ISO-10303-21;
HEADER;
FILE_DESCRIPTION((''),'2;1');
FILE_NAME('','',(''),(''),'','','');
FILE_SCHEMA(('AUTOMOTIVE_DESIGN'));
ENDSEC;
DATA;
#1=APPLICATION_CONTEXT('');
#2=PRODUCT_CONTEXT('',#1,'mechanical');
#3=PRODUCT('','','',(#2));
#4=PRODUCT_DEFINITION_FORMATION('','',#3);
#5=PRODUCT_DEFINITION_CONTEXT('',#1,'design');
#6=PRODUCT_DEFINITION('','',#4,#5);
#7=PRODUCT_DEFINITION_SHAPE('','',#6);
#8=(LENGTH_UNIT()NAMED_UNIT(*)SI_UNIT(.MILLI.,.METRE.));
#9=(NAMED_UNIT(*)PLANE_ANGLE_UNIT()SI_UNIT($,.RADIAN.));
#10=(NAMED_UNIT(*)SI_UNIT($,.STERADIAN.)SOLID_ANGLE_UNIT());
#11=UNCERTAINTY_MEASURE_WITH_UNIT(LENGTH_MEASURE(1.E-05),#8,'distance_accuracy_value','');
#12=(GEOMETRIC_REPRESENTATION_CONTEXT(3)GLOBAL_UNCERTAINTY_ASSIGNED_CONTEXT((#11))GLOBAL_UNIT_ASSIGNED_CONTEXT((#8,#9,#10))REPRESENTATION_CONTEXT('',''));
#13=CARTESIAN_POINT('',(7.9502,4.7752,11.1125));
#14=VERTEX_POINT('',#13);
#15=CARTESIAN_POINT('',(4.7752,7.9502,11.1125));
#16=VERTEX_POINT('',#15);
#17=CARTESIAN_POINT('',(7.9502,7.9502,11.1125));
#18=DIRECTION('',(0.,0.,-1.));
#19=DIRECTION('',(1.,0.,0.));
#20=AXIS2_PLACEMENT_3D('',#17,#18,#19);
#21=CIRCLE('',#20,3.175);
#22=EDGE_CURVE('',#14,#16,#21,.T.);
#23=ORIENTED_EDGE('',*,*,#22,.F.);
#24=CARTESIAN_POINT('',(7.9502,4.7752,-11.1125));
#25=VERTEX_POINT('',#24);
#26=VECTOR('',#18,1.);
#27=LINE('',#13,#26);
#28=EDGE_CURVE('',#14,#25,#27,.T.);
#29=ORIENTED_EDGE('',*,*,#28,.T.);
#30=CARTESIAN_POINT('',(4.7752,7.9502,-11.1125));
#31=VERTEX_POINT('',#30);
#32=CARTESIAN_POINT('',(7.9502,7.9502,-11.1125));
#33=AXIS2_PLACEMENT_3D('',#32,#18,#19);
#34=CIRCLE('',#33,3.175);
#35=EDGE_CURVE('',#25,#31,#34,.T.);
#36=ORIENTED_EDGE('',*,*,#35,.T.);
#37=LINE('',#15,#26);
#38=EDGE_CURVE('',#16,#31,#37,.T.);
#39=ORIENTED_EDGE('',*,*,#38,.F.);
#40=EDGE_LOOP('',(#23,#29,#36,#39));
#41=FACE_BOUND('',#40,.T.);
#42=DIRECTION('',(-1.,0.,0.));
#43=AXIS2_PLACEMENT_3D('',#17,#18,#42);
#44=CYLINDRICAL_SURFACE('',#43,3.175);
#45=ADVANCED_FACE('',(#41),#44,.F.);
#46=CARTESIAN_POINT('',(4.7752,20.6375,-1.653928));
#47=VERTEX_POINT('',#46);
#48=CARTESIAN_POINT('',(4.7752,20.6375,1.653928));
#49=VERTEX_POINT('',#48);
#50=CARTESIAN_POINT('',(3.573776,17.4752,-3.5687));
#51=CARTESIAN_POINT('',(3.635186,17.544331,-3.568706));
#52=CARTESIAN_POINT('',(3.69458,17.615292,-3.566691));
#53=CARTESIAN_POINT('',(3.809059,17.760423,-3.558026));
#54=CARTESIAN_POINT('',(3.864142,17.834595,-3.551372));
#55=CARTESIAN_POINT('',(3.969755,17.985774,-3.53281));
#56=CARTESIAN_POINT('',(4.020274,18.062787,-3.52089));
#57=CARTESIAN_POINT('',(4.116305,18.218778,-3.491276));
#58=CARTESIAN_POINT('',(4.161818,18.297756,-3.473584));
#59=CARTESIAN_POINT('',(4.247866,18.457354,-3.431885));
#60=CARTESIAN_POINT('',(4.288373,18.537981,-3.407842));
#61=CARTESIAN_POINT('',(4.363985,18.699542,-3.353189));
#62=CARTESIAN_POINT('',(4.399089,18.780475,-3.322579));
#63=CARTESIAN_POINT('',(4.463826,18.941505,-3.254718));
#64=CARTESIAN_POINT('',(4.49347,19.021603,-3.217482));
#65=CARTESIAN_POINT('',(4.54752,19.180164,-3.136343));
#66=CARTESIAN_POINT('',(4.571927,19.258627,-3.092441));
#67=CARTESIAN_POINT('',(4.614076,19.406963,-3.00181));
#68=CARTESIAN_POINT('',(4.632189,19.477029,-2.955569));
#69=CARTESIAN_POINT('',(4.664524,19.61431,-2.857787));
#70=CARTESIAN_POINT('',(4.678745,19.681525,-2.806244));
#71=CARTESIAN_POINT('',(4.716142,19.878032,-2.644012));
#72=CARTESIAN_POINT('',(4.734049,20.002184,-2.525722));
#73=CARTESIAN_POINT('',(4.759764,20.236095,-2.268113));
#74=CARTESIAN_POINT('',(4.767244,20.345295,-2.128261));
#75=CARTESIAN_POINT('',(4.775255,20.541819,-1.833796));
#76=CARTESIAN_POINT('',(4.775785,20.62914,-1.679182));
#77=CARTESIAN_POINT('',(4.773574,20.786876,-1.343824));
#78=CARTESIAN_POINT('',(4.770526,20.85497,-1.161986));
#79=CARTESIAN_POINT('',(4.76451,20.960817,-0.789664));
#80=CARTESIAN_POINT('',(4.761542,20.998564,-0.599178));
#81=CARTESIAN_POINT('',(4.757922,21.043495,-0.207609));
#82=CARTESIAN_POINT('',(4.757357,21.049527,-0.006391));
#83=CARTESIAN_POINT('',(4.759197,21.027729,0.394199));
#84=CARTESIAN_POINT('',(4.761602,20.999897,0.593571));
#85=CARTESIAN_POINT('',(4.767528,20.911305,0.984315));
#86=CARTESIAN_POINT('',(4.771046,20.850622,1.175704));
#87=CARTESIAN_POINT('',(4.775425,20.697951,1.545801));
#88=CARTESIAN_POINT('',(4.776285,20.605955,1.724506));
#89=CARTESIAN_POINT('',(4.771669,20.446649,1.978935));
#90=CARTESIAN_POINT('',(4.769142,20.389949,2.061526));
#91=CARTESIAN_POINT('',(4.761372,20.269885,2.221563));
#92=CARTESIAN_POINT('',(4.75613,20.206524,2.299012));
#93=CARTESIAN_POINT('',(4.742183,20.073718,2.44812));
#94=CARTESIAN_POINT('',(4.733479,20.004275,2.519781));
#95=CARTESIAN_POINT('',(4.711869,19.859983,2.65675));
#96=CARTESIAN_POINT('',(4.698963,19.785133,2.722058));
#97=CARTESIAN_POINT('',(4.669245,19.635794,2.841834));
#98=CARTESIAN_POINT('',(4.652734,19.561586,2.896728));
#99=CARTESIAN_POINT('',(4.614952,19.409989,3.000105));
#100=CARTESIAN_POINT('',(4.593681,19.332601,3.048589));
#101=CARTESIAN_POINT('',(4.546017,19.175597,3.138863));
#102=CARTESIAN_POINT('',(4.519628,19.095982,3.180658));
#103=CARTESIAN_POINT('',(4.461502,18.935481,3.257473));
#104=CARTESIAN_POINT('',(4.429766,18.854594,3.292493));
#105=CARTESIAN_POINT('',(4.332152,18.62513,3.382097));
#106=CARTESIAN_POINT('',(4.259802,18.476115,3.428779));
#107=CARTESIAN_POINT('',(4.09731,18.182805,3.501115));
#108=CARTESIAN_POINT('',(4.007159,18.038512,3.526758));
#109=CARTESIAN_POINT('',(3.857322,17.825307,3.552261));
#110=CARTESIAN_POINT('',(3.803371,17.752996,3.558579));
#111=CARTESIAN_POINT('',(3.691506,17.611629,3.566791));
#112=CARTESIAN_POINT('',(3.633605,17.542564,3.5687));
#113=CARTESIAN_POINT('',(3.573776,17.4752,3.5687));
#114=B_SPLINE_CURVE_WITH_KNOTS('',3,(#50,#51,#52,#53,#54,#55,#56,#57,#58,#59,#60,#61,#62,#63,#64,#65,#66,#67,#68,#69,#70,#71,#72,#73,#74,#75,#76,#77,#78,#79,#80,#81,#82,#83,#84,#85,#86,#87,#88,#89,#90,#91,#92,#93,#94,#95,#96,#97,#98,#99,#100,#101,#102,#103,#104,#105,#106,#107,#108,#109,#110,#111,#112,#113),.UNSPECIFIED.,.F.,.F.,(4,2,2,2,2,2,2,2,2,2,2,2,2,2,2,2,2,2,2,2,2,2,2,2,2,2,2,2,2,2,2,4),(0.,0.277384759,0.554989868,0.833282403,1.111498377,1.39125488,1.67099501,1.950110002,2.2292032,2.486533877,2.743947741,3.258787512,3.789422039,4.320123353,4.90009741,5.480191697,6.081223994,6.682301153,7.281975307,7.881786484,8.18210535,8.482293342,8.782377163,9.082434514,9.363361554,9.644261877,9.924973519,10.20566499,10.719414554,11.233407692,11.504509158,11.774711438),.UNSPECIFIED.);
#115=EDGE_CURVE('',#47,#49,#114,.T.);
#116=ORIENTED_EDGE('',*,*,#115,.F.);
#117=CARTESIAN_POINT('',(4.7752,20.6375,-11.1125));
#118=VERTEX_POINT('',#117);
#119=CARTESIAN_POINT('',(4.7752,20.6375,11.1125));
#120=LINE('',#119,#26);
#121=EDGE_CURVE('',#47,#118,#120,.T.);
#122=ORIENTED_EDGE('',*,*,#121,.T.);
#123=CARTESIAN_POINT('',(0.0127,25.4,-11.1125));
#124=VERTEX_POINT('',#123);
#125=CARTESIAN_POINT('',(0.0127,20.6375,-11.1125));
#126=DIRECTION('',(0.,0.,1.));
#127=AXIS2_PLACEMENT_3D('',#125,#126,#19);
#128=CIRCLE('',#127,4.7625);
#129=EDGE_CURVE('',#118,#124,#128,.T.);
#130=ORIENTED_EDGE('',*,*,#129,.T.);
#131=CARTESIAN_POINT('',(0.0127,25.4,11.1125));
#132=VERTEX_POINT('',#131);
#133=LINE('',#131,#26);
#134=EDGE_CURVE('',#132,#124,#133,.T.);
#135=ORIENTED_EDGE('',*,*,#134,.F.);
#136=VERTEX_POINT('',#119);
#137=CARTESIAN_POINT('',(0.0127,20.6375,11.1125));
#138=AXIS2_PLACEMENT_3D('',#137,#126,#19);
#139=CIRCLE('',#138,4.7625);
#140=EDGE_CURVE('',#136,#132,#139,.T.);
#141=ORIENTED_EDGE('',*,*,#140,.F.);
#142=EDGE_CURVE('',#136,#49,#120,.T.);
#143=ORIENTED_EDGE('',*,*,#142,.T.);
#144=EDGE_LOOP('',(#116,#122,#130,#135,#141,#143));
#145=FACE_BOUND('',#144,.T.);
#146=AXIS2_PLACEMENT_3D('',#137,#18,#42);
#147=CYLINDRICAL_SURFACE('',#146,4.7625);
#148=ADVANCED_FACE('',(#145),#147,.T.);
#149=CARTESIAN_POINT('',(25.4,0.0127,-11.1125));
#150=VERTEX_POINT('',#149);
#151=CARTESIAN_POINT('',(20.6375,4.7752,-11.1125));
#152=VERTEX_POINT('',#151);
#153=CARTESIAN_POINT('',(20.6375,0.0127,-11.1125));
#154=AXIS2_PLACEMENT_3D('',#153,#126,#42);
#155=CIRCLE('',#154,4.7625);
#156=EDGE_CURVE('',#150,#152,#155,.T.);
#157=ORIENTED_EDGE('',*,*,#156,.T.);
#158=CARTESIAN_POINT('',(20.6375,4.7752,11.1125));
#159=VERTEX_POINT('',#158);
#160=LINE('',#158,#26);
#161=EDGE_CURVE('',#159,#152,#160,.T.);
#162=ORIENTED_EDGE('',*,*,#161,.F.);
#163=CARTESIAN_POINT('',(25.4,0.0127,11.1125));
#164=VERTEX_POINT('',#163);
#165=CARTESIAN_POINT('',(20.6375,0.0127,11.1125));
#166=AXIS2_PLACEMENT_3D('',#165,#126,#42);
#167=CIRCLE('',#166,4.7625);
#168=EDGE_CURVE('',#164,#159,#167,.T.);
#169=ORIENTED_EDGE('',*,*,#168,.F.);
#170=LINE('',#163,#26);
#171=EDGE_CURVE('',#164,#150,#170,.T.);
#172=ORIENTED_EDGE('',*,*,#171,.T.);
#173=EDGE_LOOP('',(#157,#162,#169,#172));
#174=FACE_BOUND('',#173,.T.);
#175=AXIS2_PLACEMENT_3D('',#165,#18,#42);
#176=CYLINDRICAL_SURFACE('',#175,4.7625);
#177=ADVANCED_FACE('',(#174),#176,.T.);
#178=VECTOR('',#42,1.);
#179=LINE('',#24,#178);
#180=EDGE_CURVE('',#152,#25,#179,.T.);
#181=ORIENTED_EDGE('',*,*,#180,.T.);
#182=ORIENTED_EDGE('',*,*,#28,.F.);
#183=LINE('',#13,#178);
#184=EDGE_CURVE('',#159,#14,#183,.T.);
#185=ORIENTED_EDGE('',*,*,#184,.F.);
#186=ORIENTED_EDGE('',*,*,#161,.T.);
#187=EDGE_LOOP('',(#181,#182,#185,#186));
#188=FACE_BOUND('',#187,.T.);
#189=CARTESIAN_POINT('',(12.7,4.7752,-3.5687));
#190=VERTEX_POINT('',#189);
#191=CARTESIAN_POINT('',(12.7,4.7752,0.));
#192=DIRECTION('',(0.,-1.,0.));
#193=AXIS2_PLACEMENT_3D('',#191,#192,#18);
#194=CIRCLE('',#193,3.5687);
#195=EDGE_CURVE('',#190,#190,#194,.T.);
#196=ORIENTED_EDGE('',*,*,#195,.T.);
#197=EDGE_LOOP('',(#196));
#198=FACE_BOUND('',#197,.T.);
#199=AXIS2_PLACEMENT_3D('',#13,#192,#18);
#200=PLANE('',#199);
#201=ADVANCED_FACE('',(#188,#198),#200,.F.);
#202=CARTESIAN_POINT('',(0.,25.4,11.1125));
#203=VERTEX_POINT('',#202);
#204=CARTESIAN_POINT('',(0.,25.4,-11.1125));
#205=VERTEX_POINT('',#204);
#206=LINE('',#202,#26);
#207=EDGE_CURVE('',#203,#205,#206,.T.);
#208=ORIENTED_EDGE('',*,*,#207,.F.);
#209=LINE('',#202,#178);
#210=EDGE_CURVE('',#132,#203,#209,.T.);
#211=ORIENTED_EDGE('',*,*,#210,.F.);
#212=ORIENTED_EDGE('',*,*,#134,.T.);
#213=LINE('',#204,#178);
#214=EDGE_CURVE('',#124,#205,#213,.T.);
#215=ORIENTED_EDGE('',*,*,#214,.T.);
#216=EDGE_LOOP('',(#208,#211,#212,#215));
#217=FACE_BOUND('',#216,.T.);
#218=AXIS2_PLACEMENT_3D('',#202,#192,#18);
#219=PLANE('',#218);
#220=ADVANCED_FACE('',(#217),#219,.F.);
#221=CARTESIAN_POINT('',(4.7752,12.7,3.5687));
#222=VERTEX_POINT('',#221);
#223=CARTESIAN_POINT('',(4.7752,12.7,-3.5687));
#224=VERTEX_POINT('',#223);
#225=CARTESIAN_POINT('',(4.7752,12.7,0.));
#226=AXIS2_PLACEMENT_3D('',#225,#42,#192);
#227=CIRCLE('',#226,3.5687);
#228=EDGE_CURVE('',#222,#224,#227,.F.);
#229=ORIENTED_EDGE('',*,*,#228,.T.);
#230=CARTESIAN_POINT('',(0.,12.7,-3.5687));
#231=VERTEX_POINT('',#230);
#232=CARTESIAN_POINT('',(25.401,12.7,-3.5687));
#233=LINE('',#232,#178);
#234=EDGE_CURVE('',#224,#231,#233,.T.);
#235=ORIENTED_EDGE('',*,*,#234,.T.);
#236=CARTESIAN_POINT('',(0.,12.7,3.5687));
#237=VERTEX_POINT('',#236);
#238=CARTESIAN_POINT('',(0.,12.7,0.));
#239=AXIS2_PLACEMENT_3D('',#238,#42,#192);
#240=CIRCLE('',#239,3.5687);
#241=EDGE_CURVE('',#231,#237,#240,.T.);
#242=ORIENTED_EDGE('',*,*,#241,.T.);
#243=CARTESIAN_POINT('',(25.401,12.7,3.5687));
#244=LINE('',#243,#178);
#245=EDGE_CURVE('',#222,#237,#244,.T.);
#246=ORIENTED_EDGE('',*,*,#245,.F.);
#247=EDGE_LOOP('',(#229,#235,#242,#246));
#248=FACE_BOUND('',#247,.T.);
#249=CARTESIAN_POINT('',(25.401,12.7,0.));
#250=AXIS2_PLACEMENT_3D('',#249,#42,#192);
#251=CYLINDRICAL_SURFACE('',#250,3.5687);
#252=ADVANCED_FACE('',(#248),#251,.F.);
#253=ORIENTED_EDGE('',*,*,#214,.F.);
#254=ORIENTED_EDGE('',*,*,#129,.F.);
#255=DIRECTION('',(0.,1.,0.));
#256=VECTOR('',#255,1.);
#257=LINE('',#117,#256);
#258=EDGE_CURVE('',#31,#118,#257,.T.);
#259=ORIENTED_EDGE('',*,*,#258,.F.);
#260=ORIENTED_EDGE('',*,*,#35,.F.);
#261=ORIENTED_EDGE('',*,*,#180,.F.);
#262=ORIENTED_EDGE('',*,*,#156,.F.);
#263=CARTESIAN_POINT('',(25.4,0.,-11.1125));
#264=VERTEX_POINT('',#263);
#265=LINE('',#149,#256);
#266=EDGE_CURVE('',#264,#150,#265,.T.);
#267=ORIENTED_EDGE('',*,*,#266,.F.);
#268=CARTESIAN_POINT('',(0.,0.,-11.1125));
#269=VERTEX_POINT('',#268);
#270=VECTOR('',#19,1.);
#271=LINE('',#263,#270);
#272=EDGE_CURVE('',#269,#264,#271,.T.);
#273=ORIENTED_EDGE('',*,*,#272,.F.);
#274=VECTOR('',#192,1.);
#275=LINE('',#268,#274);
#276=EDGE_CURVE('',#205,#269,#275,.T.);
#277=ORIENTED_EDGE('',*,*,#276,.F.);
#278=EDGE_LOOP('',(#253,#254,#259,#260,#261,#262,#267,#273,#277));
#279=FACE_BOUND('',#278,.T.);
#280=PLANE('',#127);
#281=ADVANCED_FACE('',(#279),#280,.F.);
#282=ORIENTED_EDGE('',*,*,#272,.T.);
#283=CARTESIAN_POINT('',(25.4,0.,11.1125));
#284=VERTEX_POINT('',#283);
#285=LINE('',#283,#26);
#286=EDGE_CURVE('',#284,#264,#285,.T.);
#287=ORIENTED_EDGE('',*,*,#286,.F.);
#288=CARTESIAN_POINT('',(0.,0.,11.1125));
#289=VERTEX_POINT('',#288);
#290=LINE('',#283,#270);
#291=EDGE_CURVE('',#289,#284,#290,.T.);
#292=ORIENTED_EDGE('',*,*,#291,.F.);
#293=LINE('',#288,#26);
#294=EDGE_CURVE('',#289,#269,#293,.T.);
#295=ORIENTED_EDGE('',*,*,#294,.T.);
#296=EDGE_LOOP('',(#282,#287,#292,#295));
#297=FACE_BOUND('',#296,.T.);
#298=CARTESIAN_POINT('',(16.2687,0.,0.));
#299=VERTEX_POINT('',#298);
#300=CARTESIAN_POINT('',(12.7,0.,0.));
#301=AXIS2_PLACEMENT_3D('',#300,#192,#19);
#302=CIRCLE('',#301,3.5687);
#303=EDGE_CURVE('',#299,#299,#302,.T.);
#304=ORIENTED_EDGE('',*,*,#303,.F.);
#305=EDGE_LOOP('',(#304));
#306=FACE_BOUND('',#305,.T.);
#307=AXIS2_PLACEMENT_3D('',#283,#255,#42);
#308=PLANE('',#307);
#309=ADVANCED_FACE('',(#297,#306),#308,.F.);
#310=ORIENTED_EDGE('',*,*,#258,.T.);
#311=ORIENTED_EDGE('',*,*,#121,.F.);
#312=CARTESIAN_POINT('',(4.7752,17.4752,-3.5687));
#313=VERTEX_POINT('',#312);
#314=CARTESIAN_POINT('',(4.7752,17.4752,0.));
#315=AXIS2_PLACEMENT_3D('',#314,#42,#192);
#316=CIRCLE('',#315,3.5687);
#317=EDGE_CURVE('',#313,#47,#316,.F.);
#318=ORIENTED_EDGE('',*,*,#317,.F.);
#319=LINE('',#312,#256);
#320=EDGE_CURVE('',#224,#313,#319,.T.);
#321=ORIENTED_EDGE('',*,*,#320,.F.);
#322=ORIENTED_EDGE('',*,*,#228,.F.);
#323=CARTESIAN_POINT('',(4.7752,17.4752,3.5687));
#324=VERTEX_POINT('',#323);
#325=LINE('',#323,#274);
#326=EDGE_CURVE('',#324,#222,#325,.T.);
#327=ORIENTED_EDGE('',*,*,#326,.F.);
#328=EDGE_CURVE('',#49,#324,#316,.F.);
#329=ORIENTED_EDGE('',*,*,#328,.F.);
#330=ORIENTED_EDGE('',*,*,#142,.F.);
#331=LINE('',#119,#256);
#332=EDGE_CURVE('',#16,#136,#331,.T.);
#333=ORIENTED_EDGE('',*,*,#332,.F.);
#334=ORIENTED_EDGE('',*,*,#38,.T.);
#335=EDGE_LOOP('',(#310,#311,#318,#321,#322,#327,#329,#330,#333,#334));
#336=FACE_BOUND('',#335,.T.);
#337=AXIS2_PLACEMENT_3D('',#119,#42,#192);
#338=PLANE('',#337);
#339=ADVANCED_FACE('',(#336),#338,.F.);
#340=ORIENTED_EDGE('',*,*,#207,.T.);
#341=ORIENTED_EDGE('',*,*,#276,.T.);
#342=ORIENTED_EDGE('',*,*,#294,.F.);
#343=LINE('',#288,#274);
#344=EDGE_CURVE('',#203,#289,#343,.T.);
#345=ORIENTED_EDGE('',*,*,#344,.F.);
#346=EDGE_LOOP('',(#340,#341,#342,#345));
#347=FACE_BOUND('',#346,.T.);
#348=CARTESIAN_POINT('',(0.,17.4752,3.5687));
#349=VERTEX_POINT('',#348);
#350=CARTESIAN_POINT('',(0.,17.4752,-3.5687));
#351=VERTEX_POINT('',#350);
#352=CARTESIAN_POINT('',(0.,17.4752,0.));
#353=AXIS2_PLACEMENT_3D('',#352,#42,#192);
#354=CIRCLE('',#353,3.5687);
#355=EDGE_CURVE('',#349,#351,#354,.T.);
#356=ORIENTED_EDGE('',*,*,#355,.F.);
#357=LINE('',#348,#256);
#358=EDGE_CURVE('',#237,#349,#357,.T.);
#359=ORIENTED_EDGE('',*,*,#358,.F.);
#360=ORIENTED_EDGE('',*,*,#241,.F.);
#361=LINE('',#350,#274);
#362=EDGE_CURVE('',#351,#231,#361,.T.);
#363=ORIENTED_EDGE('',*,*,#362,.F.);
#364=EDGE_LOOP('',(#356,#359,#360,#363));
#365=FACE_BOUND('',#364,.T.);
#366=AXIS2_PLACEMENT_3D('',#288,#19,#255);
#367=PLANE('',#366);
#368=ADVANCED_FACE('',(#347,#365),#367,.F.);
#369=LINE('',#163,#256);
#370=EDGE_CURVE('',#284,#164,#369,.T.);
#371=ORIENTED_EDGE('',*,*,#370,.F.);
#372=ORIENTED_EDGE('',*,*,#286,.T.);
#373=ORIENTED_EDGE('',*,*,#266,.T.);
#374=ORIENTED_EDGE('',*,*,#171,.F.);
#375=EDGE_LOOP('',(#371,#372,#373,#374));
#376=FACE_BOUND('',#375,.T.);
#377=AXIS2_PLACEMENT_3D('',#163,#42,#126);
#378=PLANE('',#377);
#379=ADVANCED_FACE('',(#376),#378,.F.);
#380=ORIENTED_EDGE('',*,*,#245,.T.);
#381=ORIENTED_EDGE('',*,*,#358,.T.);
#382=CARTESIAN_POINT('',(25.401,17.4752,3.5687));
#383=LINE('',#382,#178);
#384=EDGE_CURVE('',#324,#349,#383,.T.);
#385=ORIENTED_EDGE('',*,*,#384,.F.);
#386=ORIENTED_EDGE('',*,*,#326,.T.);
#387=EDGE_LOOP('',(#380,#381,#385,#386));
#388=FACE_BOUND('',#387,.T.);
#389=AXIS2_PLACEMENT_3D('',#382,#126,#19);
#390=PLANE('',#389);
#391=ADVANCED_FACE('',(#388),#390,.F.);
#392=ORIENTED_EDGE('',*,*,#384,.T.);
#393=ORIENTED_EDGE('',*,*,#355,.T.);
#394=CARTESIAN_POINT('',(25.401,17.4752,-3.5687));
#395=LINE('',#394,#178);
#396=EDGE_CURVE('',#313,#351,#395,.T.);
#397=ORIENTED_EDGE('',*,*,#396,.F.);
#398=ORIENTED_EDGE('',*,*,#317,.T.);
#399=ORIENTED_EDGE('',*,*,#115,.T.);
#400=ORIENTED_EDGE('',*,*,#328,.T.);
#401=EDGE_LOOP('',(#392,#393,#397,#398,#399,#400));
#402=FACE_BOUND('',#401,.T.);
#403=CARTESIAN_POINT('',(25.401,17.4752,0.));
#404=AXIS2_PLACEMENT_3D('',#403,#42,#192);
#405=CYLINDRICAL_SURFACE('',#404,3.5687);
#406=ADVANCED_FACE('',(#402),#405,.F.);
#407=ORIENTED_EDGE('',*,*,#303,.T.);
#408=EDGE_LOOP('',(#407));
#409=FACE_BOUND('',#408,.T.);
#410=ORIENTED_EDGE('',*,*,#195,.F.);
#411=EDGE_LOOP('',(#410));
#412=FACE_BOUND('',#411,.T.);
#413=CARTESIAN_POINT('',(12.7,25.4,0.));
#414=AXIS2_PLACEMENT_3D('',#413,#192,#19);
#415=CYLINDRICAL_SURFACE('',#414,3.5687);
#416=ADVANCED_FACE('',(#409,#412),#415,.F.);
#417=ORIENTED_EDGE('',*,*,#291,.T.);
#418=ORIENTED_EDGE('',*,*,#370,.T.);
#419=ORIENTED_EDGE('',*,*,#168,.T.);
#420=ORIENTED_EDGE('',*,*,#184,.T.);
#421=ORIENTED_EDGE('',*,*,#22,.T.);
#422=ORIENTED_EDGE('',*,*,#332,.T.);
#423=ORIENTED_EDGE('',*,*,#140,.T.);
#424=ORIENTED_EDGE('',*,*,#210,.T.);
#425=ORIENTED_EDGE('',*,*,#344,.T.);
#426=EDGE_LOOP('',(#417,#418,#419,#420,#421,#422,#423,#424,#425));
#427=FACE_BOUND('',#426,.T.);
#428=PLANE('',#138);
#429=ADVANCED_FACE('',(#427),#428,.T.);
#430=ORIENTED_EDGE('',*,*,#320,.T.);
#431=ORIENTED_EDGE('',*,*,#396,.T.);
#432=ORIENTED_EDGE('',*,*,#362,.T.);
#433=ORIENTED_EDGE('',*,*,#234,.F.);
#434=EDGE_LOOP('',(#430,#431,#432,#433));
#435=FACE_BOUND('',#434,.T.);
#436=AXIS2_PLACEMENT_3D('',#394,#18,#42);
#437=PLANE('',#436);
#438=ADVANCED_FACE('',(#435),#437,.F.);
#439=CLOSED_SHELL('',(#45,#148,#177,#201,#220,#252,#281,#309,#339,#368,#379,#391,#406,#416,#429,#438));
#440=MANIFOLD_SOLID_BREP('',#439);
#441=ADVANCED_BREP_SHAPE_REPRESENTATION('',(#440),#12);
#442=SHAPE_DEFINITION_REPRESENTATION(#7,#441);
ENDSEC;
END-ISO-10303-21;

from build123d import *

# Parameters (mm, degrees)
BOSS_EXTRUDE1_DEPTH = 11.1125
CUT_EXTRUDE1_REACH  = 39.601
SKETCH4_R           = 3.5687
CUT_EXTRUDE2_DEPTH  = 38.600633818


with BuildPart() as part:
    # Sketch2 → Boss-Extrude1 (new, symmetric)
    with BuildSketch(Plane.XY):
        with BuildLine():
            Line((0, 0), (0, 25.4))
            Line((0, 25.4), (0.0127, 25.4))
            ThreePointArc((0.0127, 25.4), (3.380296045, 24.005096045), (4.7752, 20.6375))
            Line((4.7752, 20.6375), (4.7752, 7.9502))
            ThreePointArc((4.7752, 7.9502), (5.70513597, 5.70513597), (7.9502, 4.7752))
            Line((7.9502, 4.7752), (20.6375, 4.7752))
            ThreePointArc((20.6375, 4.7752), (24.005096045, 3.380296045), (25.4, 0.0127))
            Line((25.4, 0.0127), (25.4, 0))
            Line((25.4, 0), (0, 0))
        make_face()
    extrude(amount=BOSS_EXTRUDE1_DEPTH, both=True)

    # Sketch3 → Cut-Extrude1 (cut, up to next)
    with BuildSketch(Plane.ZY, mode=Mode.PRIVATE) as cut_extrude1_sk1:
        with BuildLine():
            Line((-3.5687, 17.4752), (-3.5687, 12.7))
            ThreePointArc((-3.5687, 12.7), (0, 9.1313), (3.5687, 12.7))
            Line((3.5687, 12.7), (3.5687, 17.4752))
            ThreePointArc((3.5687, 17.4752), (0, 21.0439), (-3.5687, 17.4752))
        make_face()
    cut_extrude1_tool1 = extrude(cut_extrude1_sk1.sketch, amount=-CUT_EXTRUDE1_REACH, mode=Mode.PRIVATE) & part.part
    add(cut_extrude1_tool1.solids().sort_by_distance((0, 15.0876, 0))[0], mode=Mode.SUBTRACT)

    # Sketch4 → Cut-Extrude2 (cut, through all)
    with BuildSketch(Plane.XZ):
        with Locations((12.7, 0)):
            Circle(SKETCH4_R)
    extrude(amount=-CUT_EXTRUDE2_DEPTH, mode=Mode.SUBTRACT)


solid = part.part
